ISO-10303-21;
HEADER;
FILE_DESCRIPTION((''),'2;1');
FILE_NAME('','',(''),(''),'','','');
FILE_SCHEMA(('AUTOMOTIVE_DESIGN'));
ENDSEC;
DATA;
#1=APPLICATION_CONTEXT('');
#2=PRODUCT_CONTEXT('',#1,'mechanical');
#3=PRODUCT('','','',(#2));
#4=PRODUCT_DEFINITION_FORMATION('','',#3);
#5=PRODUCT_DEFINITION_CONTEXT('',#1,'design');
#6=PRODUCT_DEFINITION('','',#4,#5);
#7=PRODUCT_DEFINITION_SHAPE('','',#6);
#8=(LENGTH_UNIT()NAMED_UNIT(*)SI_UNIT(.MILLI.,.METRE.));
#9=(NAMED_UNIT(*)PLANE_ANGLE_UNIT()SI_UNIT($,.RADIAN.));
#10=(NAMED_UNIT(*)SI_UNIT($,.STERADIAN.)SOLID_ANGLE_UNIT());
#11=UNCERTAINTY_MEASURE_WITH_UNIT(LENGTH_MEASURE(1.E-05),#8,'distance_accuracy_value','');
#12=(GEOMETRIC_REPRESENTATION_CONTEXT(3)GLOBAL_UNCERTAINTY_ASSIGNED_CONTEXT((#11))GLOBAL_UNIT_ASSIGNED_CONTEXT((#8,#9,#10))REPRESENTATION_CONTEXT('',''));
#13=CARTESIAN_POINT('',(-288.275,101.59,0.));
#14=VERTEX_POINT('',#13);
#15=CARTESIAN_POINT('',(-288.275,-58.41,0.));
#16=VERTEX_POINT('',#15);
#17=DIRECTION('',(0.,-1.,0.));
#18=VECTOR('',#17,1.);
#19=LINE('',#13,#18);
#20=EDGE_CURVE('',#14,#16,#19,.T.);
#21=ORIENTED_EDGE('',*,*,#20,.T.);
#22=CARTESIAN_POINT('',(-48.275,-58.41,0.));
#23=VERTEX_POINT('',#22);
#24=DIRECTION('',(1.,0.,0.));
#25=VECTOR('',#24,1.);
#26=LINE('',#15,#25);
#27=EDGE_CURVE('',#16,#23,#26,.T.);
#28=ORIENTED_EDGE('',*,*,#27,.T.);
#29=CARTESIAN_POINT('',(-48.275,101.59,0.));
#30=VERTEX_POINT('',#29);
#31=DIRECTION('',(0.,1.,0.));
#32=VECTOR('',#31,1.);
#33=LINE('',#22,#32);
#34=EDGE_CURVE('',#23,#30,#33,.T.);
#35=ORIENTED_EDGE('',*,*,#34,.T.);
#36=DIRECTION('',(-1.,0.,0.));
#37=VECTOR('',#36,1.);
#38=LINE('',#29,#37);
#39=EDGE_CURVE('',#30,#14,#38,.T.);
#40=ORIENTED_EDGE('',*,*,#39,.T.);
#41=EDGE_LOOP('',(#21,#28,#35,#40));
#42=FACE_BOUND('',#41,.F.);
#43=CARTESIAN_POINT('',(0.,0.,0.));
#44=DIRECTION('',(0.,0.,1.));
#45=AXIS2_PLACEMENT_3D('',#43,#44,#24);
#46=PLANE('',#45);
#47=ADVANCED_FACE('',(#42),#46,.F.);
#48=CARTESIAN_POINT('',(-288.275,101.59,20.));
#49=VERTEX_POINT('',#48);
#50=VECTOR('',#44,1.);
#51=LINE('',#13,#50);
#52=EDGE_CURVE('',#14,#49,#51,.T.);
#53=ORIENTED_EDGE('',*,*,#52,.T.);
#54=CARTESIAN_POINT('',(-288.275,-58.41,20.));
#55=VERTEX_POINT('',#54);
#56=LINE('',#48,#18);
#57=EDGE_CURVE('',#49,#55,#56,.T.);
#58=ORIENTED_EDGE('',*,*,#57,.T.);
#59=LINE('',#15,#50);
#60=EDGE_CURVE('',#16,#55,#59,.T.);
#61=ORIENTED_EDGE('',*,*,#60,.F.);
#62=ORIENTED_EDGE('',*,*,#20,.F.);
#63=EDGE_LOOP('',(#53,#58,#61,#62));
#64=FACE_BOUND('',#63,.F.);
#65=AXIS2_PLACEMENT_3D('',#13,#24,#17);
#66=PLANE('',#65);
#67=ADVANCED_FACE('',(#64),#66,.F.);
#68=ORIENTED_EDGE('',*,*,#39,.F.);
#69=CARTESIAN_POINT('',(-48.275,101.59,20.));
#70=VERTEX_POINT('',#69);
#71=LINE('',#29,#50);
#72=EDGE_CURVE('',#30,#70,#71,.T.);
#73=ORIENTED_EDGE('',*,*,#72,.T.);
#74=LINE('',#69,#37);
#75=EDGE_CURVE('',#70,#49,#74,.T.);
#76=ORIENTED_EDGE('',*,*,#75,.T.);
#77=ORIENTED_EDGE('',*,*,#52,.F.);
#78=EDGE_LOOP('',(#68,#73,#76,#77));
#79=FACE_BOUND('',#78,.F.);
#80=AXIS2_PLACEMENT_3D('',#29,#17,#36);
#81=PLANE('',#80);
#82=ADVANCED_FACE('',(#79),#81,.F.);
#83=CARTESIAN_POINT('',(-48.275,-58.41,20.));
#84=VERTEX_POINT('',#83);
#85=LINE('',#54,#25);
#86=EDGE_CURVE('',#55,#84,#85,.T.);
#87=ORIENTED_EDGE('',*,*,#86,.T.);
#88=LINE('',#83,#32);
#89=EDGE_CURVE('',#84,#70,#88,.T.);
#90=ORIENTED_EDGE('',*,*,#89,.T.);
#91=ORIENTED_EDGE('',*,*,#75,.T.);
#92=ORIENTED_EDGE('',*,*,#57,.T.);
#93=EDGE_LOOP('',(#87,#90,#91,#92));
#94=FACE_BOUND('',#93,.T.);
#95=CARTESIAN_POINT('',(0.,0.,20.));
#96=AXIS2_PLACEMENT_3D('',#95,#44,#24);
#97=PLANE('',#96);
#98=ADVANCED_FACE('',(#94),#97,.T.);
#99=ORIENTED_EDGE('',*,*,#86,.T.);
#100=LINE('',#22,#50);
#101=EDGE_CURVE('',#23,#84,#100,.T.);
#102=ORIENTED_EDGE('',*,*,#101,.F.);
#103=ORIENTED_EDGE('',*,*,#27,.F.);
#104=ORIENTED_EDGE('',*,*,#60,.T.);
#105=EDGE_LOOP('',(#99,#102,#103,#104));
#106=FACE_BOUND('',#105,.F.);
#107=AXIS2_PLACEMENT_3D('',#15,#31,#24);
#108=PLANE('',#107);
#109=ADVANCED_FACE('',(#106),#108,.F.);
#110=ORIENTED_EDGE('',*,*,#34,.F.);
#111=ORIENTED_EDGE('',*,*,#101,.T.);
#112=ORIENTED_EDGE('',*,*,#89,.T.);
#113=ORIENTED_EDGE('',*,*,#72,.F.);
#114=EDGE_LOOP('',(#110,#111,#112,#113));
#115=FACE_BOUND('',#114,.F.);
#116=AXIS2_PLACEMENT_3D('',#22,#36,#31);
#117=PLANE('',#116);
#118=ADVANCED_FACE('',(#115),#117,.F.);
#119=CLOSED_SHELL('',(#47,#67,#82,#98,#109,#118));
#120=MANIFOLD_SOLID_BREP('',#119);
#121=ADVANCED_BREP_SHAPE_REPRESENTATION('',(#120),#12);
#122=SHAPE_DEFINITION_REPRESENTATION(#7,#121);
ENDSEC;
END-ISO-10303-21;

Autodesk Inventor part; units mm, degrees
ref_plane "YZ Plane" through (0, 0, 0) normal (1, 0, 0) x (0, 1, 0)
ref_plane "XZ Plane" through (0, 0, 0) normal (0, 1, 0) x (-1, 0, 0)
ref_plane "XY Plane" through (0, 0, 0) normal (0, 0, 1) x (1, 0, 0)
ref_plane "Work Plane1" through (0, 0, 0) normal (0, 0, 1) x (1, 0, 0)
sketch "Sketch1" plane through (0, 0, 0) normal (0, 0, 1) x (1, 0, 0)
  line L0 (-288.275, -58.41) -> (-48.275, -58.41)
  line L1 (-48.275, -58.41) -> (-48.275, 101.59)
  line L2 (-48.275, 101.59) -> (-288.275, 101.59)
  line L3 (-288.275, 101.59) -> (-288.275, -58.41)
  line L4 (-288.275, -58.41) -> (-48.275, 101.59) construction
  line L5 (-48.275, -58.41) -> (-288.275, 101.59) construction
  point P0 (0, 0)
  point P1 (-168.275, 21.59)
  dimension "d0" = 240
  dimension "d1" = 160
extrude "Extrusion1" add sketch "Sketch1" along normal blind 20
properties part number "Part Plate"
